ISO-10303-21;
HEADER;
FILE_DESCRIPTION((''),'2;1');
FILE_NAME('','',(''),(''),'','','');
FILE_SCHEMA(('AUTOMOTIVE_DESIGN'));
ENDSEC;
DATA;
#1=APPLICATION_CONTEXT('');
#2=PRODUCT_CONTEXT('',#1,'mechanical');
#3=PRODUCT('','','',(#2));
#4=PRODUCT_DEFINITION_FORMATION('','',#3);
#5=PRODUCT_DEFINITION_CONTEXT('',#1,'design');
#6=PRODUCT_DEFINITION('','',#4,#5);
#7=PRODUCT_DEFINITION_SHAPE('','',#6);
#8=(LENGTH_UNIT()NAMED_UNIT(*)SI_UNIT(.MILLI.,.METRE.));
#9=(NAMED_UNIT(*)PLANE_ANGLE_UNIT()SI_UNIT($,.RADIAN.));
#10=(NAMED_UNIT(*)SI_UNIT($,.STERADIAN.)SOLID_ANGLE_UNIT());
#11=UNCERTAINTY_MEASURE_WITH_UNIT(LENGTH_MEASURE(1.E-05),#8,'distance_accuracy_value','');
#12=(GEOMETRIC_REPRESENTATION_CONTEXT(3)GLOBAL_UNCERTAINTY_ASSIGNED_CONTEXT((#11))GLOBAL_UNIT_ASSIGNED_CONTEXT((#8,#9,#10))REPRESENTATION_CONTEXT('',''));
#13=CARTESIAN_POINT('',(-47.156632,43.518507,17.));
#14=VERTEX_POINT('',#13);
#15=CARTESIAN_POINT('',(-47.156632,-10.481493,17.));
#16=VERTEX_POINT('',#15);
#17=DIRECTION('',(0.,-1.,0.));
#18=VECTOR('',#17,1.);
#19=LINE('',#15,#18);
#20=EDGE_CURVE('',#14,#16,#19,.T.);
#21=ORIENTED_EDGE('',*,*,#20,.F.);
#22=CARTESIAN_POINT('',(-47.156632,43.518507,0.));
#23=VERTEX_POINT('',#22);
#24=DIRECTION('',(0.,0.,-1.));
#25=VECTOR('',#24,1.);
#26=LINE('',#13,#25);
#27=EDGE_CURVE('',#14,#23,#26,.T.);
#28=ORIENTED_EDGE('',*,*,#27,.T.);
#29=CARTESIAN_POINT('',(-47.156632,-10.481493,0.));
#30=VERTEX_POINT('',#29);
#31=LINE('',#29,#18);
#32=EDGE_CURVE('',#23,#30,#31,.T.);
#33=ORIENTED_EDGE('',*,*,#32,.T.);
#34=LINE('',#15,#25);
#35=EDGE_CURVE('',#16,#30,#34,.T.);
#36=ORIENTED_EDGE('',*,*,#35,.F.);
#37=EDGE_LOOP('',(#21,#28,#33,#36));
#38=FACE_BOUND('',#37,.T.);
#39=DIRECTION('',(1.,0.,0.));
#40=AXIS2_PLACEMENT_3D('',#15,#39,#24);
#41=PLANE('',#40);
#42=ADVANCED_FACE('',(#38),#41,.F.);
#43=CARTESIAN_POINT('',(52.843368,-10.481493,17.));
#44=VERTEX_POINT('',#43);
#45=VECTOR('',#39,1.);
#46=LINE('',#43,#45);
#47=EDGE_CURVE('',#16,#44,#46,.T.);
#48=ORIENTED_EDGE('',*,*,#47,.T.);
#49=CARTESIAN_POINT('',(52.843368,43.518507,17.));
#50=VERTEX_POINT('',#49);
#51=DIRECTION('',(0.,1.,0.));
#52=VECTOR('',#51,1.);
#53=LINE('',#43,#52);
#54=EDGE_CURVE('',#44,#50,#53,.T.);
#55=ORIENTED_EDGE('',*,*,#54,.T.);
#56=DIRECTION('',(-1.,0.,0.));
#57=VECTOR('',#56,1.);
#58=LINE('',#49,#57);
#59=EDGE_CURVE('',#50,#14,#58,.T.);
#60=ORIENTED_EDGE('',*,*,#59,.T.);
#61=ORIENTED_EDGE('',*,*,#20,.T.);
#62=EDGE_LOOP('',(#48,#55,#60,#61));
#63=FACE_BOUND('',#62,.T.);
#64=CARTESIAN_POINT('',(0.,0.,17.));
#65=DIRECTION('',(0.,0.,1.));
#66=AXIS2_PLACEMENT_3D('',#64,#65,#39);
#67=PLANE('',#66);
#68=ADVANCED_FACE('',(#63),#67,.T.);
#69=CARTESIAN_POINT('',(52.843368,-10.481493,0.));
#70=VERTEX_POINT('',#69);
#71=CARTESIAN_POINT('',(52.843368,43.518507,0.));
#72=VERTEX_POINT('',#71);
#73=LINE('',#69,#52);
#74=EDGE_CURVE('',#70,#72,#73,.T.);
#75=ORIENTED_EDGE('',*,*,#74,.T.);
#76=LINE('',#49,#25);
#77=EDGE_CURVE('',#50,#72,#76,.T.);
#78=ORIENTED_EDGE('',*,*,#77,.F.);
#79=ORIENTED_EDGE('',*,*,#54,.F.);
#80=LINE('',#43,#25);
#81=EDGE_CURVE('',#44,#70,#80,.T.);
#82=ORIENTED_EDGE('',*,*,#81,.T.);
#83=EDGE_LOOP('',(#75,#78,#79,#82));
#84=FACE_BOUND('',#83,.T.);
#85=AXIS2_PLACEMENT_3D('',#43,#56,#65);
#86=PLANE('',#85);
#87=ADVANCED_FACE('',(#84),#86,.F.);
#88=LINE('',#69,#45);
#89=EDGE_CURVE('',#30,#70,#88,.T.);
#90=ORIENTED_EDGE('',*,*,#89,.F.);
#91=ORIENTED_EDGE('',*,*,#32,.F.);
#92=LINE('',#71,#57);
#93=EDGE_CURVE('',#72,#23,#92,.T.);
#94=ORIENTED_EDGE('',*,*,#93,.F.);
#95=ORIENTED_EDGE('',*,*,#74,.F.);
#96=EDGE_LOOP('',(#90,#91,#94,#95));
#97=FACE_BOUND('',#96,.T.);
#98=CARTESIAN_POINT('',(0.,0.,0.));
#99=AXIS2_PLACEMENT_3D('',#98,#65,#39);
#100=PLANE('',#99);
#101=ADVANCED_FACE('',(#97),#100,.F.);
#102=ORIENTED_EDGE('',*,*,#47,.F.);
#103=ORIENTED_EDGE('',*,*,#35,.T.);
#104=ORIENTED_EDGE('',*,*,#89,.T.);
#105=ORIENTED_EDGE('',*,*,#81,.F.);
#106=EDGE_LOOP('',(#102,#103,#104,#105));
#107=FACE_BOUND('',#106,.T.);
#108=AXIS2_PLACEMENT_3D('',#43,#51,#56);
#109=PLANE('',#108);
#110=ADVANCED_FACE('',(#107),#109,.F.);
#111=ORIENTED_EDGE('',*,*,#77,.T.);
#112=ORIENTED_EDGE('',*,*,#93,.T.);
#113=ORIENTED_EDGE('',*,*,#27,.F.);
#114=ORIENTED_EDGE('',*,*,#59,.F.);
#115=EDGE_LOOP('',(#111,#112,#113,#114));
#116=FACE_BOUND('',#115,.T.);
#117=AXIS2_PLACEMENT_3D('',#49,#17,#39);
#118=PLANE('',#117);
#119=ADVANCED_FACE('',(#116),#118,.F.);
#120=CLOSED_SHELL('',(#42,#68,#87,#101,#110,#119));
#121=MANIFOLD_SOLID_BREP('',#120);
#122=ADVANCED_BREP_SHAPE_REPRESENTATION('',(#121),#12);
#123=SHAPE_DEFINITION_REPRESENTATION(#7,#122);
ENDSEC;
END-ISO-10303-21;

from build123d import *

# Parameters (mm, degrees)
SKETCH_1_W      = 100
SKETCH_1_H      = 54
EXTRUDE_1_DEPTH = 17


with BuildPart() as part:
    # 草图1 → 凸台-拉伸1 (new body)
    with BuildSketch(Plane.XY):
        with Locations((2.843367755, 16.518507486)):
            Rectangle(SKETCH_1_W, SKETCH_1_H)
    extrude(amount=EXTRUDE_1_DEPTH)


solid = part.part
